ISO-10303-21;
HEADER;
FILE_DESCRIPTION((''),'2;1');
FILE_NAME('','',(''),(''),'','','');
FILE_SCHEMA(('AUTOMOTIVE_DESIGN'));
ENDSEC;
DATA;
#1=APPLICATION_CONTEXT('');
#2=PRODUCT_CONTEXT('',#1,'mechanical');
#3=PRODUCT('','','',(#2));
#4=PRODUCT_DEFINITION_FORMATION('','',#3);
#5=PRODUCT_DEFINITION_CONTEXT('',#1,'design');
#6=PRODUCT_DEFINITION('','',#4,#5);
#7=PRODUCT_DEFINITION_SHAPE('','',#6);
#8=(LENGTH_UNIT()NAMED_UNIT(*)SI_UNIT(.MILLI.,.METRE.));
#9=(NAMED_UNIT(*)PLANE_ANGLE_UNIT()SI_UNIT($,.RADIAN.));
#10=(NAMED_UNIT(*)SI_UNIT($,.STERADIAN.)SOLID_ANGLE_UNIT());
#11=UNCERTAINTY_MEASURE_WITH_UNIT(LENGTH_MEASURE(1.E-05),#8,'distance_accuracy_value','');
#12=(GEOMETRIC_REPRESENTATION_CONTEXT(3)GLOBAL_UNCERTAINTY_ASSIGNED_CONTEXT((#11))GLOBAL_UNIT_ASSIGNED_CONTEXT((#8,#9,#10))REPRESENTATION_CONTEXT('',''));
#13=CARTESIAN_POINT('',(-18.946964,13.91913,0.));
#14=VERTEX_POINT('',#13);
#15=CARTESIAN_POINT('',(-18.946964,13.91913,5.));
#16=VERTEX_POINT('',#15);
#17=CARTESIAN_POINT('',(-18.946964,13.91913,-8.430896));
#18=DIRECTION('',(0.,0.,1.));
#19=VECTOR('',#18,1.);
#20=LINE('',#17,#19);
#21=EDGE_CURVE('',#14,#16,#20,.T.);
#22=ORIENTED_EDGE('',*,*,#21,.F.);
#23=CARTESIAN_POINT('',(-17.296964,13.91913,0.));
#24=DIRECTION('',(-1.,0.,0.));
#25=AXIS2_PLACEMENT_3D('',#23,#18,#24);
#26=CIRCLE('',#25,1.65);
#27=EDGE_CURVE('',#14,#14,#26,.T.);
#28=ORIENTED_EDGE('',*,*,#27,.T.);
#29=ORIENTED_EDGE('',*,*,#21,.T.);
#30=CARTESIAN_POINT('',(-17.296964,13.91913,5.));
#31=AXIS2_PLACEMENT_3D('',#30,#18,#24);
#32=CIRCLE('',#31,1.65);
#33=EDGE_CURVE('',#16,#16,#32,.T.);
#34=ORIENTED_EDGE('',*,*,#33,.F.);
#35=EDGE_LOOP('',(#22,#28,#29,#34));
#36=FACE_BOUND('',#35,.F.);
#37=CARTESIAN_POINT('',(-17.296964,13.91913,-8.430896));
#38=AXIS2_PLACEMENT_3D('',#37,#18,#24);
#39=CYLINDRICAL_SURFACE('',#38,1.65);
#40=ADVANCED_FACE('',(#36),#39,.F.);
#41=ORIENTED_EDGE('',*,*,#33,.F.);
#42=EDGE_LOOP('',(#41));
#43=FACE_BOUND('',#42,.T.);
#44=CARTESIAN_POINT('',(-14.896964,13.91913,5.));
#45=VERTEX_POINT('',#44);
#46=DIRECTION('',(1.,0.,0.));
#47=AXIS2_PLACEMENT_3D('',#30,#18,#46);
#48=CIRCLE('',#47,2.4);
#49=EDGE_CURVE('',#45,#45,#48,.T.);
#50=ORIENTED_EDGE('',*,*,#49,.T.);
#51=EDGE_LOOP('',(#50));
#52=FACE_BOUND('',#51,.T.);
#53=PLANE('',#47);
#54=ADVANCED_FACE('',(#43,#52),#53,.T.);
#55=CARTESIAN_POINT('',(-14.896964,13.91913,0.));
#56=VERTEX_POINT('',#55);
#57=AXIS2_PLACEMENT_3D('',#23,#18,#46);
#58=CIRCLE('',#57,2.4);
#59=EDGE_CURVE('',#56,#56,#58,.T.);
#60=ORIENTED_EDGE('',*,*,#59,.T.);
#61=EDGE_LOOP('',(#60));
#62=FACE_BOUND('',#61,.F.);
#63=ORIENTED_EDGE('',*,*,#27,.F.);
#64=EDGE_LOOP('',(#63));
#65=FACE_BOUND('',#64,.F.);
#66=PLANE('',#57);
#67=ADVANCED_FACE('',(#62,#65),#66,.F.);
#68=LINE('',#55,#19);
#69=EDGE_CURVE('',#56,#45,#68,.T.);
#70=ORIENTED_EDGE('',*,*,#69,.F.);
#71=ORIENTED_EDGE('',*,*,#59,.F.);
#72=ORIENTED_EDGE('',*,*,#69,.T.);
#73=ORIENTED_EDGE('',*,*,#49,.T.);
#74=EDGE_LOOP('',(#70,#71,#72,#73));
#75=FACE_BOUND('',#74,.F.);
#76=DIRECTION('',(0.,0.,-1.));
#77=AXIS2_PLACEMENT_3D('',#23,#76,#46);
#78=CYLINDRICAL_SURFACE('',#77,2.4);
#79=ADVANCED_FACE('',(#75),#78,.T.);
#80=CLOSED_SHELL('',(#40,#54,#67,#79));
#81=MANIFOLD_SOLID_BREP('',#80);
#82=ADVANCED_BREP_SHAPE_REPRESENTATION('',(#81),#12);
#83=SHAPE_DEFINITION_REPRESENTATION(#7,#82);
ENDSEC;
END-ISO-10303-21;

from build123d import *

# Parameters (mm, degrees)
F0_R     = 2.4
F1_DEPTH = 5
F2_D     = 3.3


with BuildPart() as f1:
    # F0 (on Top) → F1 (new body)
    with BuildSketch(Plane.XY):
        with Locations((-17.2969643027, 13.9191299677)):
            Circle(F0_R)
    extrude(amount=F1_DEPTH)

    # F2 (through all)
    with Locations(Plane(origin=(0, 0, 0), x_dir=(1, 0, 0), z_dir=(0, 0, -1))):
        with Locations((-17.2969643027, -13.9191299677)):
            Hole(F2_D / 2)


solid = f1.part
